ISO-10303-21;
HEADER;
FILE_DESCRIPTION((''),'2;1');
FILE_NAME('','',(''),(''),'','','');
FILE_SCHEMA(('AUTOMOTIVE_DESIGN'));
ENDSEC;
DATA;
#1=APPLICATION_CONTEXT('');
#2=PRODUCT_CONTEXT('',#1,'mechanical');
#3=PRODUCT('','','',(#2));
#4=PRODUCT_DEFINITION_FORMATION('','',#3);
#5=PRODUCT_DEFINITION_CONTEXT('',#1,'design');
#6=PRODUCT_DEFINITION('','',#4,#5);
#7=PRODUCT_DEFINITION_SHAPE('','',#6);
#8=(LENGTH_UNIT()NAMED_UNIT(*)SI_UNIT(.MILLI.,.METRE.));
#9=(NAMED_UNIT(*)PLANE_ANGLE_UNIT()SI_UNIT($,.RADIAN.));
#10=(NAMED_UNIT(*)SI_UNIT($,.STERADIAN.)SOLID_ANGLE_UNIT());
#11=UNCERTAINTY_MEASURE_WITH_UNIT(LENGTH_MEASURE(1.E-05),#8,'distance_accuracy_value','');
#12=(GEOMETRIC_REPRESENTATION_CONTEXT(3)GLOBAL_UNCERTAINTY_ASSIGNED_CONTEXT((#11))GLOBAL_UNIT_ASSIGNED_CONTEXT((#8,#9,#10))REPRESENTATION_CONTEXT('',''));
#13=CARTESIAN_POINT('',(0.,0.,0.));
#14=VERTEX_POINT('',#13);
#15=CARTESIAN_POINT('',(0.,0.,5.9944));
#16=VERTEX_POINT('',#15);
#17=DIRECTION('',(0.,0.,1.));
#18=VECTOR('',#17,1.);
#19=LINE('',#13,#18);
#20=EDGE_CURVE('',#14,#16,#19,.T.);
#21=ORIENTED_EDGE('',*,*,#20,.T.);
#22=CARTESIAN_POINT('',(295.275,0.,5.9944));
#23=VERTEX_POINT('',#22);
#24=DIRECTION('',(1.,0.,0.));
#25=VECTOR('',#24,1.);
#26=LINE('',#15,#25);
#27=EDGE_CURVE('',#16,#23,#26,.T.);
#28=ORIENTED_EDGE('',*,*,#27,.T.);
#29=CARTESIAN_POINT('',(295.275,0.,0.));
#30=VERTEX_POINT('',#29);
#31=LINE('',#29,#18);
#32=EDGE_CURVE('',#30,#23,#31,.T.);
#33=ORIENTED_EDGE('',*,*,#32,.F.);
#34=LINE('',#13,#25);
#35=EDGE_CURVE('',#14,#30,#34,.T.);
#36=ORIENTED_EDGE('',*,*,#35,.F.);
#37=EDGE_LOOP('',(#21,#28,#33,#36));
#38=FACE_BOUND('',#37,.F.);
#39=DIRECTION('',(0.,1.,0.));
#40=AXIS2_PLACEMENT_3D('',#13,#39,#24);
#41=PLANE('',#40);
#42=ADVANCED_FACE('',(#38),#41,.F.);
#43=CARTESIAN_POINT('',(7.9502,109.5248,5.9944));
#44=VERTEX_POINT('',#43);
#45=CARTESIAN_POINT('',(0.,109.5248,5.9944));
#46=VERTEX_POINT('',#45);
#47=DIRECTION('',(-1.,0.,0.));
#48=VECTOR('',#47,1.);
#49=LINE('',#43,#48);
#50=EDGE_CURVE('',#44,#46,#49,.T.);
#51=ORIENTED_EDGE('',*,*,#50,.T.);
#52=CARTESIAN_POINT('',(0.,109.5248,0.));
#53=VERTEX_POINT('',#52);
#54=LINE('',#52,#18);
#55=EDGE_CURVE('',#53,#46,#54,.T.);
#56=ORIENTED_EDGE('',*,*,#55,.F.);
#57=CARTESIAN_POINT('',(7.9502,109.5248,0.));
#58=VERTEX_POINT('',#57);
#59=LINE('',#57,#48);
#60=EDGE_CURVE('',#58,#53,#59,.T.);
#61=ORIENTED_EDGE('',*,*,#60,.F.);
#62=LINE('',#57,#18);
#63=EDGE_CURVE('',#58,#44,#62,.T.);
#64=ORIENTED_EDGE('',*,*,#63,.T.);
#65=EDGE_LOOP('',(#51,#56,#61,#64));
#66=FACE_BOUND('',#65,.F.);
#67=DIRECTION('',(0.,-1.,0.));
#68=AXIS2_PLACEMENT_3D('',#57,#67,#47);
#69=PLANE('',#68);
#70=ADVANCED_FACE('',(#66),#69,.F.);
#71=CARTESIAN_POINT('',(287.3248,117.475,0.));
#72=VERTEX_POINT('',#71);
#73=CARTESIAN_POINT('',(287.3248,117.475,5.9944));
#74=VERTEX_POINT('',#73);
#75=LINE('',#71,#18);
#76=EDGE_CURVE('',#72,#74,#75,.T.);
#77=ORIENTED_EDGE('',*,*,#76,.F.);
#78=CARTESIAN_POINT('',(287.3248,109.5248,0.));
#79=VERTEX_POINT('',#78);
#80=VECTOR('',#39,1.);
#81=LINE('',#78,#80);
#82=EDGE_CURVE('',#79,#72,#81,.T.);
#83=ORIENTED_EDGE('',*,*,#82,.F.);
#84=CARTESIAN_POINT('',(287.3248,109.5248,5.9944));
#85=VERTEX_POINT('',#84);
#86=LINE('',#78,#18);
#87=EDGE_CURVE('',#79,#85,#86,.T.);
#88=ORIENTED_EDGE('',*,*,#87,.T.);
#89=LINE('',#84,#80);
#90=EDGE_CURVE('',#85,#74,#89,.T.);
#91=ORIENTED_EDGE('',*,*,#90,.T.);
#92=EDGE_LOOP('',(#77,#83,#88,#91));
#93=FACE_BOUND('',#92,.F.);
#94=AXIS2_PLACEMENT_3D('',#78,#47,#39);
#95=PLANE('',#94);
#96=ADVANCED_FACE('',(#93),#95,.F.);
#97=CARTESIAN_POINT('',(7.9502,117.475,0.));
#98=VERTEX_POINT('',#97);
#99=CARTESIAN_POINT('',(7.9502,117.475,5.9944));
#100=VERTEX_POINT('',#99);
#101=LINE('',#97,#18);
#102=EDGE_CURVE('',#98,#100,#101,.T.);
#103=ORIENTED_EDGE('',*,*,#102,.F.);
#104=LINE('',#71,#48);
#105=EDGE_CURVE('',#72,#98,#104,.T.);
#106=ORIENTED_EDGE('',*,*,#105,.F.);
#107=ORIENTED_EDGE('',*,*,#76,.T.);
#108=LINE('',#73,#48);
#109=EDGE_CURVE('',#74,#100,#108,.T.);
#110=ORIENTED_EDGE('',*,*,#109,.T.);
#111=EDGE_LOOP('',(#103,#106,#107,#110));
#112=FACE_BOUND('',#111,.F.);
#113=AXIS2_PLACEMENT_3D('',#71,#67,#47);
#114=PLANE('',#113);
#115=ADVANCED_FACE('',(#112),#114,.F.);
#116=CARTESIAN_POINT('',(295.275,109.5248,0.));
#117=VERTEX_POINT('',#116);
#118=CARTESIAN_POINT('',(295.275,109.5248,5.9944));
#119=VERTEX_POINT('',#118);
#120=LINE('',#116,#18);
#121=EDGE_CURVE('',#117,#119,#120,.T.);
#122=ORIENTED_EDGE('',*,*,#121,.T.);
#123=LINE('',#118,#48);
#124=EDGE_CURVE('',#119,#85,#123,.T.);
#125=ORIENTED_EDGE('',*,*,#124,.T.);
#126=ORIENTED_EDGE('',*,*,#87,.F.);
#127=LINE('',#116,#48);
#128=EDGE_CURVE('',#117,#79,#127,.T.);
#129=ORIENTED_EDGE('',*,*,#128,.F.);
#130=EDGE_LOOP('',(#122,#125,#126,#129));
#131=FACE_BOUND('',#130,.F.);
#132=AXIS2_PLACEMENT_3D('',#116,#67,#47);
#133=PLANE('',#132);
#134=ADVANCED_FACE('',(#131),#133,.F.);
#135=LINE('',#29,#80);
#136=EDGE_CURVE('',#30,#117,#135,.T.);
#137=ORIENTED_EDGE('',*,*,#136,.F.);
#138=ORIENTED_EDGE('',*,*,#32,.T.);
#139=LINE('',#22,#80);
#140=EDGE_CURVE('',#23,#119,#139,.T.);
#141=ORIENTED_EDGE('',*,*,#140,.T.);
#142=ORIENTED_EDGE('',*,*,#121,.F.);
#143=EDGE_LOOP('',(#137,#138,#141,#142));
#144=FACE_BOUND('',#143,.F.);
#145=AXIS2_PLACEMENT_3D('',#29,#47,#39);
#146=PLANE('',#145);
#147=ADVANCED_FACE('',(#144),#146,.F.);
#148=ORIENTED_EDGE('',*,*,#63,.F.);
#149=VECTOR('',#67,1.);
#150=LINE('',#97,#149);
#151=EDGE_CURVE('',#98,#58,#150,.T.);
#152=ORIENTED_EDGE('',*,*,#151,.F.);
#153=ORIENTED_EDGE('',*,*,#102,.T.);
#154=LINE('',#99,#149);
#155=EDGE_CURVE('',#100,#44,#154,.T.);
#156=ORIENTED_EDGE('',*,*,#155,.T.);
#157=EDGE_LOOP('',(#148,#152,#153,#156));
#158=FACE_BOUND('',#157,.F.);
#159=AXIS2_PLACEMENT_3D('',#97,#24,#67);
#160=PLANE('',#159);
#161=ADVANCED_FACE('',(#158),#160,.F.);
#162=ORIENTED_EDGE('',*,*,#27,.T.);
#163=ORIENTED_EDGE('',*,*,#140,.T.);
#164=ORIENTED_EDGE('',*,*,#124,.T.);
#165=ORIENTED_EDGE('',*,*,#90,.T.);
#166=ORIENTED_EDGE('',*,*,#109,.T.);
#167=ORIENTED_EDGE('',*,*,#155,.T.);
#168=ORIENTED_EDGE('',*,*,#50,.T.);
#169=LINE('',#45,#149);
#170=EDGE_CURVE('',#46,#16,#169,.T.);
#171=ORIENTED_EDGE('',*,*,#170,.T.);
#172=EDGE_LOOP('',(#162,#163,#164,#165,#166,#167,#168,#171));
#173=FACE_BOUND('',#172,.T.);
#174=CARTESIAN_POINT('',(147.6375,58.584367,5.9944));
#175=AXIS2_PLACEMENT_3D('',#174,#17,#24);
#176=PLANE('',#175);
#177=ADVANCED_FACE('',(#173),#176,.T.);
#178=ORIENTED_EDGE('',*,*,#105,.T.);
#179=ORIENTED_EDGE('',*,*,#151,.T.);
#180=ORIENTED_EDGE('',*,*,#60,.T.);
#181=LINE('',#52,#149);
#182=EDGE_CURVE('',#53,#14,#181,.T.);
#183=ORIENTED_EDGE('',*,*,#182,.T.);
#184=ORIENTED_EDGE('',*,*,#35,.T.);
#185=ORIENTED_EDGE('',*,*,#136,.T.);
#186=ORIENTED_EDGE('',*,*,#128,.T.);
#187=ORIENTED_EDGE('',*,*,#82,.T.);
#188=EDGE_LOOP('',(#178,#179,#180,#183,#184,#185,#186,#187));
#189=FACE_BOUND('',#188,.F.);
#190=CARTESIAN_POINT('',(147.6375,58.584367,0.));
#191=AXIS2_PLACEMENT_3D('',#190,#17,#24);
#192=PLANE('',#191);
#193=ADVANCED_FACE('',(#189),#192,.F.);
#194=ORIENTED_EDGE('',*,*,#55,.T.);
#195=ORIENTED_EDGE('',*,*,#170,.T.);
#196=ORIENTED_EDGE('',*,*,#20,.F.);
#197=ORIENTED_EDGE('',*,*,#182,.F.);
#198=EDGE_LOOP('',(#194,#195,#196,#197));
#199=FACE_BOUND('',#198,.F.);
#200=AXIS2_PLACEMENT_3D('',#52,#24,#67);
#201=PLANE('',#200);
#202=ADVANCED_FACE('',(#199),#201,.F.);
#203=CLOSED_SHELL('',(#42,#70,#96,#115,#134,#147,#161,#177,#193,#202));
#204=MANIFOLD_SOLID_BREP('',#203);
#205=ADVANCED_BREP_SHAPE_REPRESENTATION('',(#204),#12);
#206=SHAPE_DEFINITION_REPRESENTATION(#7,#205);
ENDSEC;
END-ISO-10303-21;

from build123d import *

# Parameters (mm, degrees)
EXTRUDE_DEPTH = 5.9944


with BuildPart() as part:
    # Sketch → Extrude (new body)
    with BuildSketch(Plane.XY):
        Polygon((0, 0), (295.275, 0), (295.275, 109.5248), (287.3248, 109.5248), (287.3248, 117.475), (7.9502, 117.475), (7.9502, 109.5248), (0, 109.5248), align=None)
    extrude(amount=EXTRUDE_DEPTH)


solid = part.part
